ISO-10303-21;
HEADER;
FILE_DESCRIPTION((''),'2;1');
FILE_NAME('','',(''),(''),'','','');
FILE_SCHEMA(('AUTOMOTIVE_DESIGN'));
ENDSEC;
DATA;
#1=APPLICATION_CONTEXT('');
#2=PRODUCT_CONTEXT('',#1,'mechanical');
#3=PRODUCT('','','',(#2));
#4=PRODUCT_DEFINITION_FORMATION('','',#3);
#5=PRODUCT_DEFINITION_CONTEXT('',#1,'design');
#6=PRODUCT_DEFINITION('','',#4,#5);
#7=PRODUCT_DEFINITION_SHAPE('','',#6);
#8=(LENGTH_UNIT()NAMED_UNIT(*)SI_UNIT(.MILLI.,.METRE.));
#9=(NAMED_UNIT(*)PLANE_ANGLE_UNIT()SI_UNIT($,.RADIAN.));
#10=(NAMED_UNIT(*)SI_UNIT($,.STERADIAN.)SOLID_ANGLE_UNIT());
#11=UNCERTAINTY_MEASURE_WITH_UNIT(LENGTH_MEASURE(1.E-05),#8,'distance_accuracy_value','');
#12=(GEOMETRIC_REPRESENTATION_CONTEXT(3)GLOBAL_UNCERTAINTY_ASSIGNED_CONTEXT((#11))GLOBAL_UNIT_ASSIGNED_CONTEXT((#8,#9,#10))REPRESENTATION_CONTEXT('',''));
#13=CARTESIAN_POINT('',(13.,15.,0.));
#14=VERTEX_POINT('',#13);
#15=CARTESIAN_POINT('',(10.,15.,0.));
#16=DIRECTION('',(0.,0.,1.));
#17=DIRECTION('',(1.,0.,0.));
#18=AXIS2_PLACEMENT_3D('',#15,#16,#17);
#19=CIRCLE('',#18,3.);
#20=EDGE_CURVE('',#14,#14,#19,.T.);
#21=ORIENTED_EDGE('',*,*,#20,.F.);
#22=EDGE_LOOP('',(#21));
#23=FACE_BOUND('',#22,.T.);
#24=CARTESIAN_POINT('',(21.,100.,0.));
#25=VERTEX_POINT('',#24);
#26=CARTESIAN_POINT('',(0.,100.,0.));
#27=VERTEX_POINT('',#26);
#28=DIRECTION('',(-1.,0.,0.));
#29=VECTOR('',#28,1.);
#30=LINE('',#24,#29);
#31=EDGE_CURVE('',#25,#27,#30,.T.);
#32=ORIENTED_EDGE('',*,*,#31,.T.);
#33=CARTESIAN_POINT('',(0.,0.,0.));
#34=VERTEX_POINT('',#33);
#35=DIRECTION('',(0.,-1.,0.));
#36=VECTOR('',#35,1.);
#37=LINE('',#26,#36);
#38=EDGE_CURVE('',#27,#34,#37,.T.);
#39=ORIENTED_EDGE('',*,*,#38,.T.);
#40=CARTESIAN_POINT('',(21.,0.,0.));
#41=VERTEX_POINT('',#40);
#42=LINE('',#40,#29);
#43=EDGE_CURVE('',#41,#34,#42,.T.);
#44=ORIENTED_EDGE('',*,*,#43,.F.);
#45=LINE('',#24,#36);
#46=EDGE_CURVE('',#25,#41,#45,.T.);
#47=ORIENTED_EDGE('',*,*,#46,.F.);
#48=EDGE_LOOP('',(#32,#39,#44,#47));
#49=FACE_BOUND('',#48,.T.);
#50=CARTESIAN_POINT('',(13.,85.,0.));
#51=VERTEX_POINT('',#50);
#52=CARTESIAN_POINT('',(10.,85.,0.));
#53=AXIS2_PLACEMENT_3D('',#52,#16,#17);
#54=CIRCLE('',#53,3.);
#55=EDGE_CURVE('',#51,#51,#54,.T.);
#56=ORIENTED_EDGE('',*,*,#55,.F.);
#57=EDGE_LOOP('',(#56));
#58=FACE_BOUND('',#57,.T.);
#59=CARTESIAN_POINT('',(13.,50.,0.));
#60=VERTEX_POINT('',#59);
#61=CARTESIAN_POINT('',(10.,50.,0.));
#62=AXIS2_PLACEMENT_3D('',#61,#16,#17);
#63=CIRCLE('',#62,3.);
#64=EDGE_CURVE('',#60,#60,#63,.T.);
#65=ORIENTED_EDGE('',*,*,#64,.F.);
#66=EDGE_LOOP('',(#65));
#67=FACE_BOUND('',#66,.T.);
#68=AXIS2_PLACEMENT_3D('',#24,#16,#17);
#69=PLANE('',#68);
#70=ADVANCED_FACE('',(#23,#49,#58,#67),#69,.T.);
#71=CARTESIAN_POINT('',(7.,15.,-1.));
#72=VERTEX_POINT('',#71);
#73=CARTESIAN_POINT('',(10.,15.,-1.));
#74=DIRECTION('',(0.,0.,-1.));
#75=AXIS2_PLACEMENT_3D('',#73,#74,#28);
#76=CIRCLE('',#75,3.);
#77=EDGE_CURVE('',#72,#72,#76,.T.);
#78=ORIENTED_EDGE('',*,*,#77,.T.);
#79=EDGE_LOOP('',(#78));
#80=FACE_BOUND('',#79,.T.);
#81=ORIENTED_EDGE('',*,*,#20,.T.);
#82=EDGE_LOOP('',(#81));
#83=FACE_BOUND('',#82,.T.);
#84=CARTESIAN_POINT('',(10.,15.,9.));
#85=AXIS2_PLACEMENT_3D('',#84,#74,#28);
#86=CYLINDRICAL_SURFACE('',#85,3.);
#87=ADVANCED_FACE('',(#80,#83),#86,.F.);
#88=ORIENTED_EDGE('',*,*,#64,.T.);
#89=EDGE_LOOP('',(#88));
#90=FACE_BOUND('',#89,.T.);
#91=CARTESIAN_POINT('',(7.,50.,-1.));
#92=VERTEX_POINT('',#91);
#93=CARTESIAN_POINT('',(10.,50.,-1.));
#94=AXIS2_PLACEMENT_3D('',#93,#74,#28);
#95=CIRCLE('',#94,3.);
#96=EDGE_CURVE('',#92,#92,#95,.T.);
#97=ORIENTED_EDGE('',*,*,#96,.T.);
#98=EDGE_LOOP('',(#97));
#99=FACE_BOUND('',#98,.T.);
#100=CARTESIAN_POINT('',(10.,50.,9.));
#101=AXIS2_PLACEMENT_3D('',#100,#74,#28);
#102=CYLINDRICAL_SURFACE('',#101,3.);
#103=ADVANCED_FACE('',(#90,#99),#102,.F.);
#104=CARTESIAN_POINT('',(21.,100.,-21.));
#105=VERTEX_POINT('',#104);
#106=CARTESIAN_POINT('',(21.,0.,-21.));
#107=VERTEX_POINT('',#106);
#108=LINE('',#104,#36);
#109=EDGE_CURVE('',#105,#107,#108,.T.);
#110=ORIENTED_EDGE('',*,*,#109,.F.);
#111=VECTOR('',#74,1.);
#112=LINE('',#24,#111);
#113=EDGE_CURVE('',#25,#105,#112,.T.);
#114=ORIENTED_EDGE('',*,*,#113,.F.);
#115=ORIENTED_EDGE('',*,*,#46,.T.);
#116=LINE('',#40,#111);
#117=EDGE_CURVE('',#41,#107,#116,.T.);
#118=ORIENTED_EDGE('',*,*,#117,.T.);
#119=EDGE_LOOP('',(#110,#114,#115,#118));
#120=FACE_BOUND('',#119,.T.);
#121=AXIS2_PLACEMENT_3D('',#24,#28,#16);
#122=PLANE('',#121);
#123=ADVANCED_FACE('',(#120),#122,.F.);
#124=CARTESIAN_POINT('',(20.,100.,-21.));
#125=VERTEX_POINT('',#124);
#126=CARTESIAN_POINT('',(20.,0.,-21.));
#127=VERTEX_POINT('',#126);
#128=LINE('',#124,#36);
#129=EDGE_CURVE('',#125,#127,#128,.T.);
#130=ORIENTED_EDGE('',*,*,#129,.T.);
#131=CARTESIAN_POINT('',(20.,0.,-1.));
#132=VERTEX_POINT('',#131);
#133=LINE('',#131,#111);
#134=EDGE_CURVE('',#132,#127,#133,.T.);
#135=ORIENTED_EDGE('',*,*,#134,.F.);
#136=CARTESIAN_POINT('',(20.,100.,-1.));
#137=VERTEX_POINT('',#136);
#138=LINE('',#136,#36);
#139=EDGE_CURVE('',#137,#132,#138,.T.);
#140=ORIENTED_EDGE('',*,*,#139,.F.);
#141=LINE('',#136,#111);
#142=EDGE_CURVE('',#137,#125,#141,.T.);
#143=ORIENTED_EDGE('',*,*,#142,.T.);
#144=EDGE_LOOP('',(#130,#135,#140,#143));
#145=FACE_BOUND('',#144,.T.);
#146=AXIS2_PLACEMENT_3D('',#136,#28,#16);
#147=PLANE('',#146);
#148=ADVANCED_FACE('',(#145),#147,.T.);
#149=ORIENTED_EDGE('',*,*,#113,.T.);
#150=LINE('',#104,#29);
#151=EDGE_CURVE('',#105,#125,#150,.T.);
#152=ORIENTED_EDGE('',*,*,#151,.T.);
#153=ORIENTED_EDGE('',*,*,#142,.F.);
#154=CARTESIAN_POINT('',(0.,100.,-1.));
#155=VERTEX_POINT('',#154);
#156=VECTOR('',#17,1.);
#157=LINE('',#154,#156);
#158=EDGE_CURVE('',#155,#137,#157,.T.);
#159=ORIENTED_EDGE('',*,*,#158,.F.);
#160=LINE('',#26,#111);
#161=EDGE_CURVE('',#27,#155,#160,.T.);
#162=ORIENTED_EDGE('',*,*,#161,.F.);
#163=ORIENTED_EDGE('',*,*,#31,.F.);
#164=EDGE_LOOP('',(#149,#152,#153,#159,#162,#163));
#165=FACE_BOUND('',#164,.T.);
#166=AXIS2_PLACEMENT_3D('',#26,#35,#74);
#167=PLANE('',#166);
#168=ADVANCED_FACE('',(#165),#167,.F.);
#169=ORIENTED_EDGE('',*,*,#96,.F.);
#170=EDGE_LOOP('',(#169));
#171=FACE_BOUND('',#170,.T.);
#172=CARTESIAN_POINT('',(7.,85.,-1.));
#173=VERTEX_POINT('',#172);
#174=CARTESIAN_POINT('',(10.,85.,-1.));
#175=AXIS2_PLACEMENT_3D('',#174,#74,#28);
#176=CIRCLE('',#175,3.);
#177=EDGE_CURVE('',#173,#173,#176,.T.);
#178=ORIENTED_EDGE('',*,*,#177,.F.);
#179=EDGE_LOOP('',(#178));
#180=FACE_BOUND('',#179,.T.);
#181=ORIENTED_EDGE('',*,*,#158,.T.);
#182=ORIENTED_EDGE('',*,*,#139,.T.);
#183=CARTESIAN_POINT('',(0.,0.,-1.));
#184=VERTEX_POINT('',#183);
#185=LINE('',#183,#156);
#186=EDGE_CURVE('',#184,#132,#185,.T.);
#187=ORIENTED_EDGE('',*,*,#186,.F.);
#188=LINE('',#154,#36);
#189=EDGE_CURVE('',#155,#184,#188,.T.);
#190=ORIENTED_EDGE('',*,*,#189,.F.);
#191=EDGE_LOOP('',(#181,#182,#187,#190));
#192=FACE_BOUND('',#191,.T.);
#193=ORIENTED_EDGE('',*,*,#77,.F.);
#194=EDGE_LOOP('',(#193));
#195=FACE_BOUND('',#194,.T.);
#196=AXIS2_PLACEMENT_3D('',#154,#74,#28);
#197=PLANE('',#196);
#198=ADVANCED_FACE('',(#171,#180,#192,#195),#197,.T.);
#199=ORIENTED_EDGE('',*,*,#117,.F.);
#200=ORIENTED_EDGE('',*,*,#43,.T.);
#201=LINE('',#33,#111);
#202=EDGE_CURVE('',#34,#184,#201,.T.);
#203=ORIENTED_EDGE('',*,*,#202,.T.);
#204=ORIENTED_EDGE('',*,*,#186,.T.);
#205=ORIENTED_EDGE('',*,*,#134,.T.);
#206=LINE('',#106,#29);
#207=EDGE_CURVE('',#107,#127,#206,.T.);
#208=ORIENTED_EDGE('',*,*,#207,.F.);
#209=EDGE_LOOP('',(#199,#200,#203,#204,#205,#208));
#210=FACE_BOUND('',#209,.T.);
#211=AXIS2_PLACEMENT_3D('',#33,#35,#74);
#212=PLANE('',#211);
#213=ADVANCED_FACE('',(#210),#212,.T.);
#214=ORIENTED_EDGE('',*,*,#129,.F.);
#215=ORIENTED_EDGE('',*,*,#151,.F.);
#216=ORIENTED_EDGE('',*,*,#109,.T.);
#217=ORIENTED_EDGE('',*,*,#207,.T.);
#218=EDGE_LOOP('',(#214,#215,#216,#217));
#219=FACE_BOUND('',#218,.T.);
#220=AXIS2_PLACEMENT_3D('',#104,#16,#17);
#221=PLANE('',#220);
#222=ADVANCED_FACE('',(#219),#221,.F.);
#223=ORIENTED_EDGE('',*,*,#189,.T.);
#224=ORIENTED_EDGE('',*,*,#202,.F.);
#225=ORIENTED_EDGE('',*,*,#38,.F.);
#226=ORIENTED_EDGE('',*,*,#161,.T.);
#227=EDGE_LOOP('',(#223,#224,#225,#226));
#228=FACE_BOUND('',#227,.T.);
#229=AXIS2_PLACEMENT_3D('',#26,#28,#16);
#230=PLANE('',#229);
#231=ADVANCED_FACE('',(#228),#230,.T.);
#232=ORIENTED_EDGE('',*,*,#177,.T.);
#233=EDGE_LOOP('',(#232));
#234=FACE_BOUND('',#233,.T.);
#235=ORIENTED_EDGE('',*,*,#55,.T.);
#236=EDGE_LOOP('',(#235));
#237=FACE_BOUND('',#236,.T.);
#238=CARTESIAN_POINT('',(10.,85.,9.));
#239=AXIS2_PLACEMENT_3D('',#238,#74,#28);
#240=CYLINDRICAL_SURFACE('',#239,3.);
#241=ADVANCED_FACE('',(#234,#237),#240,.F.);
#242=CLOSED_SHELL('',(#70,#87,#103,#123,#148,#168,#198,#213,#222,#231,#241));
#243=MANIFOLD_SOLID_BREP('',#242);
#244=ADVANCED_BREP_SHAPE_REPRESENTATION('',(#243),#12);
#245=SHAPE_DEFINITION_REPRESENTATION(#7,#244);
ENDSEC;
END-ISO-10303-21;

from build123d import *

# Parameters (mm, degrees)
BOSS_EXTRUDE1_DEPTH = 100
SKETCH2_R           = 3
CUT_EXTRUDE1_DEPTH  = 10


with BuildPart() as part:
    # Sketch1 → Boss-Extrude1 (new body)
    with BuildSketch(Plane(origin=(0, 0, 0), x_dir=(1, 0, 0), z_dir=(0, 1, 0))):
        Polygon((0, 0), (0, 1), (20, 1), (20, 21), (21, 21), (21, 0), align=None)
    extrude(amount=BOSS_EXTRUDE1_DEPTH)

    # Sketch2 → Cut-Extrude1 (cut)
    with BuildSketch(Plane(origin=(0, 0, -1), x_dir=(-1, 0, 0), z_dir=(0, 0, -1))):
        with Locations((-10, 15)):
            Circle(SKETCH2_R)
        with Locations((-10, 50)):
            Circle(SKETCH2_R)
        with Locations((-10, 85)):
            Circle(SKETCH2_R)
    extrude(amount=-CUT_EXTRUDE1_DEPTH, mode=Mode.SUBTRACT)


solid = part.part
